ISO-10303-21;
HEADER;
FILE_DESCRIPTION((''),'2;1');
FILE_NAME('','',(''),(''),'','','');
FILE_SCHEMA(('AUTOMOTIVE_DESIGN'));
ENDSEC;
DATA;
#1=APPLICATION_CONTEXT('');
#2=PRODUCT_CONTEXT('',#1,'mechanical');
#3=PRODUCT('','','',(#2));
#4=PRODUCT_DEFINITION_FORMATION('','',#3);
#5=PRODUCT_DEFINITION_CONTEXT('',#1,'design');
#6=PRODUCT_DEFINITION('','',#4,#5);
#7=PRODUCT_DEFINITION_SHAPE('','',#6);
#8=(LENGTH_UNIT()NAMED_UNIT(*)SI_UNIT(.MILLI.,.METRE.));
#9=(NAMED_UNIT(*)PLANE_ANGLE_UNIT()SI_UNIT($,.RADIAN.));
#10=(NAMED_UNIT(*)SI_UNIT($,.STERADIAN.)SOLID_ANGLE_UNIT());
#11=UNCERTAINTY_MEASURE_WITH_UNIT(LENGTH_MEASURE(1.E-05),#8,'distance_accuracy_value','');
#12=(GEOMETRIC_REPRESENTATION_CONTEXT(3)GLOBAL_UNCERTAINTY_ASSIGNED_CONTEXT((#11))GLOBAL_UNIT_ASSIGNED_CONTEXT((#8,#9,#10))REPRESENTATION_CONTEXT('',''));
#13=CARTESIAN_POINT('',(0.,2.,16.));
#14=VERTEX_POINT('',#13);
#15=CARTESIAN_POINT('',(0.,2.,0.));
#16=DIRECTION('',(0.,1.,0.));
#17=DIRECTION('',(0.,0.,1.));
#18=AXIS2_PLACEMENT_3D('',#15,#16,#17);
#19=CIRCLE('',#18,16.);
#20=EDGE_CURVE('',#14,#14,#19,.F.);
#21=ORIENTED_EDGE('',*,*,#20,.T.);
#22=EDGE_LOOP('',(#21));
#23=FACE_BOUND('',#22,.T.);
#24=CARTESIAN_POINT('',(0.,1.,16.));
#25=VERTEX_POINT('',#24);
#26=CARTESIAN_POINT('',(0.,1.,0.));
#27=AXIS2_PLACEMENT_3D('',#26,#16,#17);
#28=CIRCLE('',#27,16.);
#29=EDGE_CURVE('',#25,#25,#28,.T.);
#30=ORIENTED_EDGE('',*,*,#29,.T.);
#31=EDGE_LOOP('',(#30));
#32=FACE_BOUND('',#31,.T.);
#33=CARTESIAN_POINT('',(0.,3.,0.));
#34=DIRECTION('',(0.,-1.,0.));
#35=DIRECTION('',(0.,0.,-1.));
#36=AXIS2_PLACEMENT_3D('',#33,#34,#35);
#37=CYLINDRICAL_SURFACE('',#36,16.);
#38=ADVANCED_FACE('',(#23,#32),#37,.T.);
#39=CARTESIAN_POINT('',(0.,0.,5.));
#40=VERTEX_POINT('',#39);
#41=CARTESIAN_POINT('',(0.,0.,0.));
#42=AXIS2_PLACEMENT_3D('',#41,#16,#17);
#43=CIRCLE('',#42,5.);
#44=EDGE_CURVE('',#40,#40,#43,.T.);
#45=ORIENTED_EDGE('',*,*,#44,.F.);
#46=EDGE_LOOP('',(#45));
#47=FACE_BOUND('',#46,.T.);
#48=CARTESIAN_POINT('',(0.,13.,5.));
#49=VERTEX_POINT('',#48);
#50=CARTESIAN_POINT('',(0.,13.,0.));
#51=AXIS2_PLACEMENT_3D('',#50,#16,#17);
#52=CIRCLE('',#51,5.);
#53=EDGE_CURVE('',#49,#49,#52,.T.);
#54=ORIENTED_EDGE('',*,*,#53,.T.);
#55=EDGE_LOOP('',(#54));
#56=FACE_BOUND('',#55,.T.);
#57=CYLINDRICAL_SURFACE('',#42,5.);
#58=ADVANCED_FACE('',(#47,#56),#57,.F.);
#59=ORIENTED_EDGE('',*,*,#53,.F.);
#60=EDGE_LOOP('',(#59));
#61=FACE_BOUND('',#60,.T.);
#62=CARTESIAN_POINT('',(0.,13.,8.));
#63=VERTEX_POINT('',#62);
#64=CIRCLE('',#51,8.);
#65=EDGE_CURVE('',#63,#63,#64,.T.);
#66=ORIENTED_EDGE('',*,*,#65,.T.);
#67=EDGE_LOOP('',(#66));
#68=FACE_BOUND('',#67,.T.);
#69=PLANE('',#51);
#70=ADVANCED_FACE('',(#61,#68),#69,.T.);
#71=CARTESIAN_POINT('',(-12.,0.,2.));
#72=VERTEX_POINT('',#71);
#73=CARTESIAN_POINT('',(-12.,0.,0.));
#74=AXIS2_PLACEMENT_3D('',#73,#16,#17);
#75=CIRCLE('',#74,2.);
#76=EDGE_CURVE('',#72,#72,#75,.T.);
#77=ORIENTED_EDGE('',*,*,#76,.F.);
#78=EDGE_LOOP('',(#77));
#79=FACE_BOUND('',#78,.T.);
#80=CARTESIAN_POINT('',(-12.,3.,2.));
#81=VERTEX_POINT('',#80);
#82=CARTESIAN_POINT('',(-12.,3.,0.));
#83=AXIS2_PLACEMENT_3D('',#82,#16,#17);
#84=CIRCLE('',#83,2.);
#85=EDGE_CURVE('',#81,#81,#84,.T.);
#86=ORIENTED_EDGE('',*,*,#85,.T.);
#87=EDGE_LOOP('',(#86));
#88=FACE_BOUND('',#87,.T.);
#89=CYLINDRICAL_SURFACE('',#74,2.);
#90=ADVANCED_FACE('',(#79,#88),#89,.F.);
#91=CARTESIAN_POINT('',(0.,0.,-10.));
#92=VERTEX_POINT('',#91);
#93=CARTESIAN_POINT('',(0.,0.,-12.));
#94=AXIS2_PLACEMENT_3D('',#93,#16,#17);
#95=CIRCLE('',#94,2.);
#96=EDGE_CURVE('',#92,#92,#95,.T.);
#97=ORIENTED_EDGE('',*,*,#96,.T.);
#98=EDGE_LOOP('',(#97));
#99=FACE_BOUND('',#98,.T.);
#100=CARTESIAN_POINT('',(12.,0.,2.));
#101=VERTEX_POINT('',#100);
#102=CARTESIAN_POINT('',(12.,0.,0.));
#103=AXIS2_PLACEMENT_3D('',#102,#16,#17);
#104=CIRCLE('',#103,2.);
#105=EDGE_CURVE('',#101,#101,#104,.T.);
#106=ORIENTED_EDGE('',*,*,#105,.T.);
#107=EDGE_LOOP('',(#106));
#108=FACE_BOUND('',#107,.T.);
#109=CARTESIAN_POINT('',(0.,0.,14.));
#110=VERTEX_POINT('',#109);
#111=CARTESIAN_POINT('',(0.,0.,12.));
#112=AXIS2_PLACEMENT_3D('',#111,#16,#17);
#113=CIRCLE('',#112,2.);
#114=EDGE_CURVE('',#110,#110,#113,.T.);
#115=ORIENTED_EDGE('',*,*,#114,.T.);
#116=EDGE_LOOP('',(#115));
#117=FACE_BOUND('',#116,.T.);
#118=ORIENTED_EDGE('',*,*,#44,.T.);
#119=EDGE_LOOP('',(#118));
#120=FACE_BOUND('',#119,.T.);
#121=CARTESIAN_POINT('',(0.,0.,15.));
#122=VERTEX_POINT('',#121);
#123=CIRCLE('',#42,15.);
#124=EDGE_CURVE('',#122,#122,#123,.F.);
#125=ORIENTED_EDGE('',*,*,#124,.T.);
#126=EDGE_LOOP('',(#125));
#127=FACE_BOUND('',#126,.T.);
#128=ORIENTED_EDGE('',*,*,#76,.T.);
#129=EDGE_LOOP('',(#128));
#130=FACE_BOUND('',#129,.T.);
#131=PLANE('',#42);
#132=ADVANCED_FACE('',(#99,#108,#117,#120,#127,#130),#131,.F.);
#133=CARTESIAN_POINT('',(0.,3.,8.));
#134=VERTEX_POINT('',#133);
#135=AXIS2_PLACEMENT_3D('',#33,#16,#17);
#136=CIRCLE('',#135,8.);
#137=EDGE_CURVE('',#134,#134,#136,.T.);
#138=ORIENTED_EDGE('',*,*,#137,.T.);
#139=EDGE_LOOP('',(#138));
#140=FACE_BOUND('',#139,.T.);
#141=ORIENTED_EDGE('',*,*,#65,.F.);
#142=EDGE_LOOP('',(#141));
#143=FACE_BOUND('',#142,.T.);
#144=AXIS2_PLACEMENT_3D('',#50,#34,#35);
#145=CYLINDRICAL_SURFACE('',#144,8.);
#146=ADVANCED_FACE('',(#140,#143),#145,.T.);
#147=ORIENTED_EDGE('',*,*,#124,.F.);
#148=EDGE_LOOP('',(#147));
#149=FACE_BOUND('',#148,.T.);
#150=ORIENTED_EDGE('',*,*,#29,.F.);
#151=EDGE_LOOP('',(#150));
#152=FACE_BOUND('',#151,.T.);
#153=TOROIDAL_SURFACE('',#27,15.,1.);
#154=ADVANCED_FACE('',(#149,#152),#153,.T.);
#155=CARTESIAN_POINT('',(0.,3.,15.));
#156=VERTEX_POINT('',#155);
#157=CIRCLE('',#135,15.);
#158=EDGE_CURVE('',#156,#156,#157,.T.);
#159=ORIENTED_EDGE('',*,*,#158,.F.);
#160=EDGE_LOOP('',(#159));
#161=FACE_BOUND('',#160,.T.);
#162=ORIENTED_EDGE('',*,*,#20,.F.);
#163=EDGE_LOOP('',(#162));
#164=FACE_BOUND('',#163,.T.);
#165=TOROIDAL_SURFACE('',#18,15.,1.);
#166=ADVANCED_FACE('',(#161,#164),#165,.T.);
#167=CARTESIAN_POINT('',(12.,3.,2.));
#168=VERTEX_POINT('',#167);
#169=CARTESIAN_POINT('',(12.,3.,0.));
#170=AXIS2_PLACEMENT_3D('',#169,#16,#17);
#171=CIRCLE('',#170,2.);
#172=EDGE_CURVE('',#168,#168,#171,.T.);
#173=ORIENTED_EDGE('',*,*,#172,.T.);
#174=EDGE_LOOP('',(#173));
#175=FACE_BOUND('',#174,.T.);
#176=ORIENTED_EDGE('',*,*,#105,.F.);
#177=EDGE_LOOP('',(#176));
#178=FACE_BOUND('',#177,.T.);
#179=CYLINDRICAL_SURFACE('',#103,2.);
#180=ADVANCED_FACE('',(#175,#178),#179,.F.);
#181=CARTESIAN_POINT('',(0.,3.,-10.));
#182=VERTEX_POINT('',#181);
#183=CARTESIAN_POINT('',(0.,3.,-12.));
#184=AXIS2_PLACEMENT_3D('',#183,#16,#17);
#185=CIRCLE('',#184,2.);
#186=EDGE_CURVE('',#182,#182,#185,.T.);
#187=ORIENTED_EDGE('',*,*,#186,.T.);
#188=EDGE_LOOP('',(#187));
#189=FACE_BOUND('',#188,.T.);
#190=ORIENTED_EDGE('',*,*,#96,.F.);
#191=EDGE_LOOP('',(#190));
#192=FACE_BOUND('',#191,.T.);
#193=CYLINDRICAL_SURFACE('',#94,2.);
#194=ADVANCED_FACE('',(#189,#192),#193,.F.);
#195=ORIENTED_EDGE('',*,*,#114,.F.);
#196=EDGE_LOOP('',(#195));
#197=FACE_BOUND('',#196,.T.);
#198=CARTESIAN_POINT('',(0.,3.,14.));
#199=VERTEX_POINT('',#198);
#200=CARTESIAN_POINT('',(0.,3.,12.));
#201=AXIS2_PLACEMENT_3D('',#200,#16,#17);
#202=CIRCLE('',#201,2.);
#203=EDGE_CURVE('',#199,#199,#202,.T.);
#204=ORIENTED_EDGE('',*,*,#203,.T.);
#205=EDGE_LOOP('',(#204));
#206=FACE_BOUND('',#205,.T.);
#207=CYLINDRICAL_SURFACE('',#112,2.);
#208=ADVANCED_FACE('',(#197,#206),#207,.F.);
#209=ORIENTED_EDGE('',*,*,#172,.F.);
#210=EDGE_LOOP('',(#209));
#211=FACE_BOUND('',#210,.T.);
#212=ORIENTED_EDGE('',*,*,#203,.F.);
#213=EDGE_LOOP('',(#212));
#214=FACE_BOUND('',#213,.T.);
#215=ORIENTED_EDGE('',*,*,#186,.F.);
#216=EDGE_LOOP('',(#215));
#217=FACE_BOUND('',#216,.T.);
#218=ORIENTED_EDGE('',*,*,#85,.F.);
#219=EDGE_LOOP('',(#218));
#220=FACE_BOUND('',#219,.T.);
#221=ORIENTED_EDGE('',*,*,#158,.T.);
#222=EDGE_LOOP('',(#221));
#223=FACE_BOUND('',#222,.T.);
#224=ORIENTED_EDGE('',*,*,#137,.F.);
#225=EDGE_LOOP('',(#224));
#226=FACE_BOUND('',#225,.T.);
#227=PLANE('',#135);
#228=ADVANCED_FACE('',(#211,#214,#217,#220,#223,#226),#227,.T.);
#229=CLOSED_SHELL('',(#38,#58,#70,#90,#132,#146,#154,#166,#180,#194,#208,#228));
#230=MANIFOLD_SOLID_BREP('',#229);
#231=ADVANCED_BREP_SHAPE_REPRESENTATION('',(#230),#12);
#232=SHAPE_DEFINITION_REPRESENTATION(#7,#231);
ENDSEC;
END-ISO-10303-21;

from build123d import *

# Parameters (mm, degrees)
SKETCH_1_R          = 16
EXTRUDE_1_DEPTH     = 3
SKETCH_2_R          = 2
SKETCH_2_R_2        = 5
CUT_EXTRUDE_1_DEPTH = 3
EXTRUDE_START       = 10
SKETCH_4_R          = 8
SKETCH_4_R_2        = 5
EXTRUDE_2_DEPTH     = 10
FILLET_1_R          = 1


with BuildPart() as part:
    # ｽｹｯﾁ1 → ﾎﾞｽ - 押し出し1 (new body)
    with BuildSketch(Plane(origin=(0, 0, 0), x_dir=(1, 0, 0), z_dir=(0, 1, 0))):
        with Locations(Location((0, 0, 0), (0, 0, 270))):
            Circle(SKETCH_1_R)
    extrude(amount=EXTRUDE_1_DEPTH)

    # ｽｹｯﾁ2 → ｶｯﾄ - 押し出し1 (cut)
    with BuildSketch(Plane(origin=(0, 3, 0), x_dir=(1, 0, 0), z_dir=(0, 1, 0))):
        with Locations(Location((0, 12, 0), (0, 0, 270))):
            Circle(SKETCH_2_R)
        with Locations(Location((12, 0, 0), (0, 0, 270))):
            Circle(SKETCH_2_R)
        with Locations(Location((0, -12, 0), (0, 0, 270))):
            Circle(SKETCH_2_R)
        with Locations(Location((-12, 0, 0), (0, 0, 270))):
            Circle(SKETCH_2_R)
        with Locations(Location((0, 0, 0), (0, 0, 270))):
            Circle(SKETCH_2_R_2)
    extrude(amount=-CUT_EXTRUDE_1_DEPTH, mode=Mode.SUBTRACT)

    # ｽｹｯﾁ4 → ﾎﾞｽ - 押し出し2 (add)
    with BuildSketch(Plane(origin=(0, 3, 0), x_dir=(1, 0, 0), z_dir=(0, 1, 0)).offset(EXTRUDE_START)):
        with Locations(Location((0, 0, 0), (0, 0, 270))):
            Circle(SKETCH_4_R)
        with Locations(Location((0, 0, 0), (0, 0, 270))):
            Circle(SKETCH_4_R_2, mode=Mode.SUBTRACT)
    extrude(amount=-EXTRUDE_2_DEPTH)

    # ﾌｨﾚｯﾄ1
    fillet_1_edges = [part.edges().sort_by_distance(p)[0] for p in [
        (0, 0, -16),
        (0, 3, -16),
    ]]
    fillet(fillet_1_edges, radius=FILLET_1_R)


solid = part.part
